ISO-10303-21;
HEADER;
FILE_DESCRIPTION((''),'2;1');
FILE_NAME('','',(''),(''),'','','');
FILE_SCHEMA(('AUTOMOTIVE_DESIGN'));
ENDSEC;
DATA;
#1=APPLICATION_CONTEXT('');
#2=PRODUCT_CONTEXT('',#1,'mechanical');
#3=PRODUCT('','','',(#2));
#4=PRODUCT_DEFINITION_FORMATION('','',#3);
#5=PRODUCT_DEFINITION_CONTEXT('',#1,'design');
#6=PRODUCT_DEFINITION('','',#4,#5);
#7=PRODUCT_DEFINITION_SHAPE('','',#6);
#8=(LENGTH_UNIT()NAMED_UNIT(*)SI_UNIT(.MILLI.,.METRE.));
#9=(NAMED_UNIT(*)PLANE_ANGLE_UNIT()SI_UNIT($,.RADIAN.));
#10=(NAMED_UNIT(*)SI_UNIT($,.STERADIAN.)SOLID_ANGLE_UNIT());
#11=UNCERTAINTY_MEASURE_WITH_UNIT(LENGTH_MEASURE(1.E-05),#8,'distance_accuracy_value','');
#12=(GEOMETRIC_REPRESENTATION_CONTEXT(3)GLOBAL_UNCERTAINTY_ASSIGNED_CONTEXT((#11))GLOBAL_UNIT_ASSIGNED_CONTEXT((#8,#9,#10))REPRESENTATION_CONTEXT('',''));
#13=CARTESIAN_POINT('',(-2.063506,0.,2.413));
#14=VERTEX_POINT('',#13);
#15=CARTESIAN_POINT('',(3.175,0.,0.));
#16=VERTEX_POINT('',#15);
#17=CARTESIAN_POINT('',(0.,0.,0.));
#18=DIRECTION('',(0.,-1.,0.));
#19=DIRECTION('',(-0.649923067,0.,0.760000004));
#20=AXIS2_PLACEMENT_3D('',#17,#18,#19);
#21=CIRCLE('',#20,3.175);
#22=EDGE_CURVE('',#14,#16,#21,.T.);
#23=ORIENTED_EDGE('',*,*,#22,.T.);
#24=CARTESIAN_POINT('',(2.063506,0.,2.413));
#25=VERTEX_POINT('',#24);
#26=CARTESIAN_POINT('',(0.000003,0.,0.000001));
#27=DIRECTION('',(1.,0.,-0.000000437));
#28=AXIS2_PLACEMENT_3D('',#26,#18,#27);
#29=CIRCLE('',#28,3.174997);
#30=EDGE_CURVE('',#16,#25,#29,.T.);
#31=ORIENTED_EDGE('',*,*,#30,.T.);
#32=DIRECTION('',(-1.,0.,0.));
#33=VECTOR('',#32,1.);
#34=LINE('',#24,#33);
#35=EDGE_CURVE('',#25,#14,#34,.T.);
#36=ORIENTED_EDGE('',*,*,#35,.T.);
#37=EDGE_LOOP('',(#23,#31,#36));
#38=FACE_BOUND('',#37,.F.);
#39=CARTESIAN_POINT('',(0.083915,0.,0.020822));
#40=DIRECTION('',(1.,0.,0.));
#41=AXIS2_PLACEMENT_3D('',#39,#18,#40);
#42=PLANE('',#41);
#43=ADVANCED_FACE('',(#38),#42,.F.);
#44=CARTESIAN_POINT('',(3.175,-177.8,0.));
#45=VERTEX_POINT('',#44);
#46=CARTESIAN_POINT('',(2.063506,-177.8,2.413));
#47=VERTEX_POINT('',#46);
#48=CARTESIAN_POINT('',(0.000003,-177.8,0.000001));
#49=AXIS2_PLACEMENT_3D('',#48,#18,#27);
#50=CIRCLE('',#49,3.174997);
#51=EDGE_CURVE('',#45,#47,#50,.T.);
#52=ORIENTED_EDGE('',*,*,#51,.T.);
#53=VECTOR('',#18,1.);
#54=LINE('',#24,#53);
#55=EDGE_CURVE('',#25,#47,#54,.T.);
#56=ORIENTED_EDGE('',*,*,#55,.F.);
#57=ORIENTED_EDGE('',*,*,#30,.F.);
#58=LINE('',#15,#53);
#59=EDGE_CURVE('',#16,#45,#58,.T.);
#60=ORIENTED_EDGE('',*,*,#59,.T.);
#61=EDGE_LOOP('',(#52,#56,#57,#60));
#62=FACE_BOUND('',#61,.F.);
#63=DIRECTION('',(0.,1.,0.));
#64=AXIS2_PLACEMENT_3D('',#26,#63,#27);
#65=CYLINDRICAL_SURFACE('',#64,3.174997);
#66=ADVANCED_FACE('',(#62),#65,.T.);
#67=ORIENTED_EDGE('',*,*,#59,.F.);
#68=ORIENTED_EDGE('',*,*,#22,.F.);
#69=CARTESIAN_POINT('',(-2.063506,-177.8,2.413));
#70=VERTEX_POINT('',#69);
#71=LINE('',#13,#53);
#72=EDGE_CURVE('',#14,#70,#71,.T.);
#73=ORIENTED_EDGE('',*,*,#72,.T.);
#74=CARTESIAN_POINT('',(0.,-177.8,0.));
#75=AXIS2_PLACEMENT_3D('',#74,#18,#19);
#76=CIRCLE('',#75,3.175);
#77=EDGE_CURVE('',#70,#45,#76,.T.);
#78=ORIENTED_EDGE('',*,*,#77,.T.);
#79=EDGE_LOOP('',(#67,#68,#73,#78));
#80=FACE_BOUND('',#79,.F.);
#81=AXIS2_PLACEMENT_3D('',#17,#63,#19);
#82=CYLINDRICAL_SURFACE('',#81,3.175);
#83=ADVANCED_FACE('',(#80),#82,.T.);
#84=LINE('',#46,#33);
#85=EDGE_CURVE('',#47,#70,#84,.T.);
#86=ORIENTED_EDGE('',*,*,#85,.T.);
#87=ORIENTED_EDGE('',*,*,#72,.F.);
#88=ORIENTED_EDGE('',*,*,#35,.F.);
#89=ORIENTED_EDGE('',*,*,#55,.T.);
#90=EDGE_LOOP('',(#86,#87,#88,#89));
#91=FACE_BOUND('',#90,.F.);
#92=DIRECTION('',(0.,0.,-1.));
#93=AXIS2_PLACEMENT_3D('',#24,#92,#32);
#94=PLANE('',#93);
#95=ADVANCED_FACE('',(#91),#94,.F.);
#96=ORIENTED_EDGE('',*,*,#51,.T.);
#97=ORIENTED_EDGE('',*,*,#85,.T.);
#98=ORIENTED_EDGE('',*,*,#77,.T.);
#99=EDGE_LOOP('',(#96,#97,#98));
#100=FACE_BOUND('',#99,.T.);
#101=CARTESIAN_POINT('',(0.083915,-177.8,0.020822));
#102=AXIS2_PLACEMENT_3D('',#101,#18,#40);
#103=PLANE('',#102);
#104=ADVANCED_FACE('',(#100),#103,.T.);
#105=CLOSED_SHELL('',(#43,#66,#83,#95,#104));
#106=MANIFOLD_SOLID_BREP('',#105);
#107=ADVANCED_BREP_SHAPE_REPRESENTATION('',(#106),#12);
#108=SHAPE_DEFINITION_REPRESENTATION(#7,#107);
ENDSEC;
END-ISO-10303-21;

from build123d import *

# Parameters (mm, degrees)
F1_DEPTH = 177.8


with BuildPart() as f1:
    # F0 (on Front) → F1 (new body)
    with BuildSketch(Plane.XZ):
        with BuildLine():
            ThreePointArc((-2.063506, 2.413), (-1.328344, -2.88377), (3.175, 0))
            ThreePointArc((3.175, 0), (2.88377, 1.328344), (2.063506, 2.413))
            Line((2.063506, 2.413), (-2.063506, 2.413))
        make_face()
    extrude(amount=F1_DEPTH)


solid = f1.part
